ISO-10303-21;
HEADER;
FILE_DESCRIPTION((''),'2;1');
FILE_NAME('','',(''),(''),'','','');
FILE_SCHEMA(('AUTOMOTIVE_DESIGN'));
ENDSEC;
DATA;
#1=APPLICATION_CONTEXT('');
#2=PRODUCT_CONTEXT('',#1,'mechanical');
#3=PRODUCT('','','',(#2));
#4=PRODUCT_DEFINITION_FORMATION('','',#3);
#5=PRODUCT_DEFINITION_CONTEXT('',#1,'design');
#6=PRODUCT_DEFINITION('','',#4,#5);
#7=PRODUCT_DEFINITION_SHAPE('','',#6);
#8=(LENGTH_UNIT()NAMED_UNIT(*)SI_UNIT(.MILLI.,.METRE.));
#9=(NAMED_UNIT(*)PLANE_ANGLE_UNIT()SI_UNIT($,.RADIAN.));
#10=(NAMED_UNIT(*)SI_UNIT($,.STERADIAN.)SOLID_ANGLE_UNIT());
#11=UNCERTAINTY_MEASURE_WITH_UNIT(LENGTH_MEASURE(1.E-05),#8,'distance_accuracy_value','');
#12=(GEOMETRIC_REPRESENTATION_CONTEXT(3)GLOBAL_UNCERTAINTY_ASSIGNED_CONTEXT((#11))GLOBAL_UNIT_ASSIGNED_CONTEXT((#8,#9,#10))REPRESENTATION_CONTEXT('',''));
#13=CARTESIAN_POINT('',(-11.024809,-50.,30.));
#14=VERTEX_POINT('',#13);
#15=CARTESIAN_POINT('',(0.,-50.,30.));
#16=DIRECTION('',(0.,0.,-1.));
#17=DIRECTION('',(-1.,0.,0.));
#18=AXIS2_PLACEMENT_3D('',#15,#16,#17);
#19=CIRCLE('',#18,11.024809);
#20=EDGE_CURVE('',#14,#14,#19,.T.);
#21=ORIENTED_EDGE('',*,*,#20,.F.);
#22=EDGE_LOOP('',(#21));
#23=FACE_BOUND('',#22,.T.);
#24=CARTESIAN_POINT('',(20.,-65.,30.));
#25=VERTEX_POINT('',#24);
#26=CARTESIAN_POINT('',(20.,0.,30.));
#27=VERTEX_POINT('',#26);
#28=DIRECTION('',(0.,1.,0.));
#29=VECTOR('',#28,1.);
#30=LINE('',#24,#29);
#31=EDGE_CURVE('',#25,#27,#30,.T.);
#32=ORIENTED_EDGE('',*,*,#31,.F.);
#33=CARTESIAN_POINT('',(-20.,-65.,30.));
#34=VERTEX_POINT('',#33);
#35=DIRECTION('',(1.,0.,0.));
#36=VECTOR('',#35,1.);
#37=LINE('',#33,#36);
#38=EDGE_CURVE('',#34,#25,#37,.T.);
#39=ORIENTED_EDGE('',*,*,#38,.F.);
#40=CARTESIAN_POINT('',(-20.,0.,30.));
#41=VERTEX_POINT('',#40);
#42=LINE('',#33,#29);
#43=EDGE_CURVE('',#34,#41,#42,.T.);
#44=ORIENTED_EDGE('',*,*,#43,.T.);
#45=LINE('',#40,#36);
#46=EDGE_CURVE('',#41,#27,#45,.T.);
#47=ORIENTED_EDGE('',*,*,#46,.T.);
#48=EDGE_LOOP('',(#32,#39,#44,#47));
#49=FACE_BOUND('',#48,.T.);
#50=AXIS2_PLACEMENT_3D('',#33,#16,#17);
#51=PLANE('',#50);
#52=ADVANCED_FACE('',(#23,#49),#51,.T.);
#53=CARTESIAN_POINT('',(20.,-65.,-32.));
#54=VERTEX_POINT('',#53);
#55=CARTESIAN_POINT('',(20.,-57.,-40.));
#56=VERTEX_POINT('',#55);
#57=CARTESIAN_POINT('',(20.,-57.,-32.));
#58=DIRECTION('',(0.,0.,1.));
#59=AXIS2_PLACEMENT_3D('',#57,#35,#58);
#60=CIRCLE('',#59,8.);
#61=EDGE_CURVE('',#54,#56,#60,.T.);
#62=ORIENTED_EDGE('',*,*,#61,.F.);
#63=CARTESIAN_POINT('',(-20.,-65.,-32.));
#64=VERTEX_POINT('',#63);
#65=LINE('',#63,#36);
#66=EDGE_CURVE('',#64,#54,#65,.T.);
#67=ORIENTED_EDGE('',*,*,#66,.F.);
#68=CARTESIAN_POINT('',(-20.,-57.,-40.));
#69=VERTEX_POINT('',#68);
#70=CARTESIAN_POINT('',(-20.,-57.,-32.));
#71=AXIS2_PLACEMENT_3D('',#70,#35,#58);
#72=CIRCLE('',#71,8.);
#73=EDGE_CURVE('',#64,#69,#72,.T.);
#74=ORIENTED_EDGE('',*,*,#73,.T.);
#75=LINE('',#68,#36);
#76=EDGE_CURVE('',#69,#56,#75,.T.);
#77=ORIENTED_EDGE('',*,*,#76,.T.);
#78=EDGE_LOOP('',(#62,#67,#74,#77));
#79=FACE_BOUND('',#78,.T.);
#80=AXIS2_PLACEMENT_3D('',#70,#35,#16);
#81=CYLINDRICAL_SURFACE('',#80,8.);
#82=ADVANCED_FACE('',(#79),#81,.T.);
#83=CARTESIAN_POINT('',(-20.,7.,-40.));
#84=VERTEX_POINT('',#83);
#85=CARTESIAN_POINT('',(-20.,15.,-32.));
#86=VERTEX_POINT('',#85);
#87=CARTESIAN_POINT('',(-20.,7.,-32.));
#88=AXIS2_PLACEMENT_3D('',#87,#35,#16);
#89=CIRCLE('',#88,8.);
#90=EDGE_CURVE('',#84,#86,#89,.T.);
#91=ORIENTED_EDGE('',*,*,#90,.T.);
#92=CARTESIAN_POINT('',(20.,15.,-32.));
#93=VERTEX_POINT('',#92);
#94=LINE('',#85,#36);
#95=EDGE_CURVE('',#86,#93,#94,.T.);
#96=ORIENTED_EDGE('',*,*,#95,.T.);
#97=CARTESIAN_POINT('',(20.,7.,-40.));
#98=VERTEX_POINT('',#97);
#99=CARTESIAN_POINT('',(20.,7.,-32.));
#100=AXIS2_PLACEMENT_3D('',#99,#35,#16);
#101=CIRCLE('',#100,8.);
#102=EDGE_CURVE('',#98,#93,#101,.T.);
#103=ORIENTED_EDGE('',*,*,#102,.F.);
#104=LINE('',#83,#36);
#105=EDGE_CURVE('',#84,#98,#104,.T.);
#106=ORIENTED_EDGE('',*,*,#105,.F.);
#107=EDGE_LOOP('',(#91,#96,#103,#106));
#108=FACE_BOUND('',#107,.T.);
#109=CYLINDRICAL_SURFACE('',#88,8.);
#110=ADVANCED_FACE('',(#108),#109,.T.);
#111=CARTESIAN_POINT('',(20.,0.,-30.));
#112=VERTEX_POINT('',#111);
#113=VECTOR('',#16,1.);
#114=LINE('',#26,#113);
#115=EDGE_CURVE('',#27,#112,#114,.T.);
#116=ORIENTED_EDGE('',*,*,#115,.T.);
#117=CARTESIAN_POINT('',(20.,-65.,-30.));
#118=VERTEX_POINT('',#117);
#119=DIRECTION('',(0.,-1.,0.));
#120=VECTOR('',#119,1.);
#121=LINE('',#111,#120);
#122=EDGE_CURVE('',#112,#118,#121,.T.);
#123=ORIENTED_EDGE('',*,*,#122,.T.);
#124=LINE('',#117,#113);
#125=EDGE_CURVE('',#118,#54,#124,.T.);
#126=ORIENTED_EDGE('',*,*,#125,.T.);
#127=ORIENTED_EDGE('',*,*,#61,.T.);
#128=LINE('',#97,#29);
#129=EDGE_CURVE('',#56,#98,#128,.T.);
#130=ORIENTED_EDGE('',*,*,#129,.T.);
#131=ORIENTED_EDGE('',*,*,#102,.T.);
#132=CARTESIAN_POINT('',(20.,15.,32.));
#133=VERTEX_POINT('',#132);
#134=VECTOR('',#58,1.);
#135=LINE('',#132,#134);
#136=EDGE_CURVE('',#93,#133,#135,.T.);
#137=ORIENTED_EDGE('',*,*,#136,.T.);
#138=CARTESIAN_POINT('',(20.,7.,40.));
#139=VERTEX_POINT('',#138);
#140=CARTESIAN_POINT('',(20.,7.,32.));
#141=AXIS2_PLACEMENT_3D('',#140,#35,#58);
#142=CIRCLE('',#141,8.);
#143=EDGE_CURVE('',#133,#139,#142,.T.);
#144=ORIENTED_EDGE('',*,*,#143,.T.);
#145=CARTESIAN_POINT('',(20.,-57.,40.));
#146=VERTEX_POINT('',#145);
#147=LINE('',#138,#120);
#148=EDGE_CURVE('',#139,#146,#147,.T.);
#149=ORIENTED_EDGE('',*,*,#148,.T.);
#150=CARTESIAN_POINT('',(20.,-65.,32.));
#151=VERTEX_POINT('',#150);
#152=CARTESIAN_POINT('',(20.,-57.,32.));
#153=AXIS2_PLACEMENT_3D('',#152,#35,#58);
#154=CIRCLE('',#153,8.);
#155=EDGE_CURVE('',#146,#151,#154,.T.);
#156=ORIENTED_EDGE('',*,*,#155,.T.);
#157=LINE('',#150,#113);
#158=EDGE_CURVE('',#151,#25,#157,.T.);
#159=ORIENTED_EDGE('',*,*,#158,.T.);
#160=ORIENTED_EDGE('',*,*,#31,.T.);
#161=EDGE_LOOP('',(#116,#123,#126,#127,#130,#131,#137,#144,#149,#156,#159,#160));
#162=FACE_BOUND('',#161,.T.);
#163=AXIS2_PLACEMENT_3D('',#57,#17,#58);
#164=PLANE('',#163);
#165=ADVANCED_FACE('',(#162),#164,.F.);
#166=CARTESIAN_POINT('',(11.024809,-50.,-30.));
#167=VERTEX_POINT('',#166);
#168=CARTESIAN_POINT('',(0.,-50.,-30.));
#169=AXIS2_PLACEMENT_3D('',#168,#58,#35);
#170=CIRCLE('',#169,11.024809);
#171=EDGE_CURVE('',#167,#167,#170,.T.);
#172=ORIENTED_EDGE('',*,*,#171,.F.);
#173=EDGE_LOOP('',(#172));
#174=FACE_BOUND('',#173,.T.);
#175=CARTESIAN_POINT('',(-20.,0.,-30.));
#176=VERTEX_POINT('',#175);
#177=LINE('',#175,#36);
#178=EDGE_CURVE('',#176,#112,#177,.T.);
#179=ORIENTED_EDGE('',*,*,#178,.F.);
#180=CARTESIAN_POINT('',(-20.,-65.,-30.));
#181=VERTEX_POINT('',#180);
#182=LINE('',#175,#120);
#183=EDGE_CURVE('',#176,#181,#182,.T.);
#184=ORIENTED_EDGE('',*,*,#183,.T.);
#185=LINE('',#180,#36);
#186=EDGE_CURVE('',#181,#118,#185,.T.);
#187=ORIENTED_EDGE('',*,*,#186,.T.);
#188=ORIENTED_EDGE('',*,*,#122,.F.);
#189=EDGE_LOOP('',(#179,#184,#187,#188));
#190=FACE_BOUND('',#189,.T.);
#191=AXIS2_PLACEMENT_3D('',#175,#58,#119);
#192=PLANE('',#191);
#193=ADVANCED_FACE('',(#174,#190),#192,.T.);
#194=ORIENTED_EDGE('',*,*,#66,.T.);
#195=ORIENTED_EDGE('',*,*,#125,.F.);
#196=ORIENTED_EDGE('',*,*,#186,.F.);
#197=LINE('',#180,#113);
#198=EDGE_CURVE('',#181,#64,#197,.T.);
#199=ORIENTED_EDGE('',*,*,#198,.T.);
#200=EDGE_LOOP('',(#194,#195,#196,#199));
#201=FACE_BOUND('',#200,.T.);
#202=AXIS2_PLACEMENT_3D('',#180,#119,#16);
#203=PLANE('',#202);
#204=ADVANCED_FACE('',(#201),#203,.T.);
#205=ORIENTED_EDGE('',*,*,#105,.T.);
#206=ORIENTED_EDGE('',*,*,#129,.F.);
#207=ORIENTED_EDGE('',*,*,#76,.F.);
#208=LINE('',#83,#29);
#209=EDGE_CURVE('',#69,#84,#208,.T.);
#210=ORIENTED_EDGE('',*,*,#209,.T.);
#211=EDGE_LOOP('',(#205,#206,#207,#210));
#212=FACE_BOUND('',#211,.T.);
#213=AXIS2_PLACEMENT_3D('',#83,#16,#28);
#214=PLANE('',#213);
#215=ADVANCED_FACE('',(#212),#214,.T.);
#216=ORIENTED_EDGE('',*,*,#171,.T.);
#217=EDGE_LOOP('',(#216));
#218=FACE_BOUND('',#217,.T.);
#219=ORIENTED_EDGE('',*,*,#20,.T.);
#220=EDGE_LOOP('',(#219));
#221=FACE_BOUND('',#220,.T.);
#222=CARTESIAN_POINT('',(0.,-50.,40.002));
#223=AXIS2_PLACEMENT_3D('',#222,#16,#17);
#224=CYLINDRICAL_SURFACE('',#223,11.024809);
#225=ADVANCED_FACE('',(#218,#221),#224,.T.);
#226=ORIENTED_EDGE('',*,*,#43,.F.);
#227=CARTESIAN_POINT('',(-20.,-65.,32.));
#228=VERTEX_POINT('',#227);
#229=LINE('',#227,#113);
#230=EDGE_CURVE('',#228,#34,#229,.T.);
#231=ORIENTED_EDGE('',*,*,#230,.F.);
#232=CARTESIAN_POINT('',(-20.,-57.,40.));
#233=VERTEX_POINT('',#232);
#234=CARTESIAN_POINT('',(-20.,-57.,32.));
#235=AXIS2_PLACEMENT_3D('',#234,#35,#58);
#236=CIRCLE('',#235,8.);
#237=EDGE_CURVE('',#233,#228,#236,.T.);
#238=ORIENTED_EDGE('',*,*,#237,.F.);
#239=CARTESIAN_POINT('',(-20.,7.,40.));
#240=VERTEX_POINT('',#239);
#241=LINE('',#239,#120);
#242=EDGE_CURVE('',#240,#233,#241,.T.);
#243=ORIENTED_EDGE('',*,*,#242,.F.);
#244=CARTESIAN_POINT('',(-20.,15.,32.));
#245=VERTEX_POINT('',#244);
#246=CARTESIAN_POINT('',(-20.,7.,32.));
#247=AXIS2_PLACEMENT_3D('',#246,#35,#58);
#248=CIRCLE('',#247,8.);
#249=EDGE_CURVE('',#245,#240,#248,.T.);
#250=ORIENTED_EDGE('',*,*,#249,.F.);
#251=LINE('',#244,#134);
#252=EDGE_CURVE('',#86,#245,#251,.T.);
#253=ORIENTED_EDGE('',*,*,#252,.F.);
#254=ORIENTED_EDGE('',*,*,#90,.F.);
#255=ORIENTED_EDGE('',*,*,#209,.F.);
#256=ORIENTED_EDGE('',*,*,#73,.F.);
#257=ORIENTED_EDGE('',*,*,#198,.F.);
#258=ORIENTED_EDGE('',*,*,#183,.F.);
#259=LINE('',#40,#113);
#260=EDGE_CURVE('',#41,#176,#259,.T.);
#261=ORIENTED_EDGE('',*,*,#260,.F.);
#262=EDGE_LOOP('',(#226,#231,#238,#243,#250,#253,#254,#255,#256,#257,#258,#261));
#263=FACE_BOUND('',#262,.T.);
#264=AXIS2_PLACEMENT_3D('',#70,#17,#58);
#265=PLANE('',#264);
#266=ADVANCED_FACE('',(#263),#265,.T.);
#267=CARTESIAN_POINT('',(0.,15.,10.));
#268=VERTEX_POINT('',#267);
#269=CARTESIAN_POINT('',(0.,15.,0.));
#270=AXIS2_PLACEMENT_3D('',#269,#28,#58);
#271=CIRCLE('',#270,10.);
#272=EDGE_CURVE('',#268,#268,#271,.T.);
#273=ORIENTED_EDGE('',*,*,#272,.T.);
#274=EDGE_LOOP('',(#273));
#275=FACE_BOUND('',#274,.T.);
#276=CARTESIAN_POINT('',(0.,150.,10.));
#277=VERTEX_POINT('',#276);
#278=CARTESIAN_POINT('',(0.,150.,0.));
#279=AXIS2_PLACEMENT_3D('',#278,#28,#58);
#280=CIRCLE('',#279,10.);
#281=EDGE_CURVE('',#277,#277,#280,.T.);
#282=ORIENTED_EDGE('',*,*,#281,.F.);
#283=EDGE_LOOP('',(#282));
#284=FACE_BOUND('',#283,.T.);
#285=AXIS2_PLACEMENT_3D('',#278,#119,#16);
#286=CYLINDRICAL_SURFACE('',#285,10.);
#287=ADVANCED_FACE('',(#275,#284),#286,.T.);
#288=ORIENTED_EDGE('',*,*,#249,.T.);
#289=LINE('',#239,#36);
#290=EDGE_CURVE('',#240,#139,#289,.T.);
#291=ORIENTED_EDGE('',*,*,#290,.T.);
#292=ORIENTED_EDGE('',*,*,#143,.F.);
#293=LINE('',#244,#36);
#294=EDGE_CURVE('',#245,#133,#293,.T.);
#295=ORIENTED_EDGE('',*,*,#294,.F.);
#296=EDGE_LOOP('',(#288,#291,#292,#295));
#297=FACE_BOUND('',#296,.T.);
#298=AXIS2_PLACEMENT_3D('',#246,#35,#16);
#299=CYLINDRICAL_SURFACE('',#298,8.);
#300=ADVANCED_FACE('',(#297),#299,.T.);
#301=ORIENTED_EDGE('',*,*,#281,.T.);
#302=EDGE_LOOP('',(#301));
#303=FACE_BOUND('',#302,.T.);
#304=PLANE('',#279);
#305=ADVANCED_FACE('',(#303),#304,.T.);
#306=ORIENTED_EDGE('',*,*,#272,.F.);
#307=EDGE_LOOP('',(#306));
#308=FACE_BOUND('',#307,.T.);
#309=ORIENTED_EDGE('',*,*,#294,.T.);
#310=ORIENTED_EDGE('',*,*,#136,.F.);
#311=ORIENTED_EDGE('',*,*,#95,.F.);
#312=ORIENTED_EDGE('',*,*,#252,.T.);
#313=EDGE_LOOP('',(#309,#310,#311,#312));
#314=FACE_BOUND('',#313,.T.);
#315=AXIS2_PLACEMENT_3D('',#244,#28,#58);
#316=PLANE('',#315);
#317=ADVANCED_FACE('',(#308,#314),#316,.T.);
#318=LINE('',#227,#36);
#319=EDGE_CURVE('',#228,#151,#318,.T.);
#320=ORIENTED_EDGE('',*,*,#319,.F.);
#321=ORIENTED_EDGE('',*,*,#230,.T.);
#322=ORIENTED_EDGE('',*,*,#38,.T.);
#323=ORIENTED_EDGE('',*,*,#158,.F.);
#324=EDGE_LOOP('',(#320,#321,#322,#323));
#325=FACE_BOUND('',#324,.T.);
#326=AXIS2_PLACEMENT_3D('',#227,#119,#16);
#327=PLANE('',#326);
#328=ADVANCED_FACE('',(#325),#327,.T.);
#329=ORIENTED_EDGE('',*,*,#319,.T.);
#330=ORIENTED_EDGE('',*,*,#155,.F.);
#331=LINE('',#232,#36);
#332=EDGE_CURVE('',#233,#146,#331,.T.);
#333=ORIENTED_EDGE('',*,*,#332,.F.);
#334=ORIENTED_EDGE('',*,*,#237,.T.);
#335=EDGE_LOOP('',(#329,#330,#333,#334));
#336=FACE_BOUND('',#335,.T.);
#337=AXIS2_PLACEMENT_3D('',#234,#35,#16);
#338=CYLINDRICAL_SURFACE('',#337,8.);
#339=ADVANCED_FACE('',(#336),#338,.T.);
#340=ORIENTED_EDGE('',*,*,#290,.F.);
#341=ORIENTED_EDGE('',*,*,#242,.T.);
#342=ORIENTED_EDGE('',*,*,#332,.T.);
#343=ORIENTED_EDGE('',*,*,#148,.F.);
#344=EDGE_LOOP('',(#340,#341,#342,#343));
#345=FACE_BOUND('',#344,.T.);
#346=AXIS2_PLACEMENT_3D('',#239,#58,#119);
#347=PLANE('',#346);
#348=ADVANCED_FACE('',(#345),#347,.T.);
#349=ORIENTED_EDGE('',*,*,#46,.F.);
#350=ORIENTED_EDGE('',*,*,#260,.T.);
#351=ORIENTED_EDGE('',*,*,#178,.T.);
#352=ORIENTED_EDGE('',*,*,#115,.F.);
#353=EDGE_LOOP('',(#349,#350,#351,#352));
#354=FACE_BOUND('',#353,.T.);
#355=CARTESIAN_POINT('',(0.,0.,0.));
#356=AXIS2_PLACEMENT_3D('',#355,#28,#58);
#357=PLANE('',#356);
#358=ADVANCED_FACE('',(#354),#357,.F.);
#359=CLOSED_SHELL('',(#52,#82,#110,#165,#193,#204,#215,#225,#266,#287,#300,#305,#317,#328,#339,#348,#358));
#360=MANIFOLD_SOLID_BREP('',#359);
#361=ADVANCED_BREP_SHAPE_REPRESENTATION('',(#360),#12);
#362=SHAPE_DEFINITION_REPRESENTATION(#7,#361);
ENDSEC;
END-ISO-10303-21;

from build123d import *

# Parameters (mm, degrees)
SKETCH_1_R           = 10
EXTRUDE_1_DEPTH      = 150
EXTRUDE_2_DEPTH      = 20
EXTRUDE_2_DEPTH_BACK = 20
EXTRUDE_3_REACH      = 168.733
SKETCH_3_R           = 11.024808504


with BuildPart() as part:
    # 草图1 → 凸台-拉伸1 (new body)
    with BuildSketch(Plane(origin=(0, 0, 0), x_dir=(1, 0, 0), z_dir=(0, 1, 0))):
        Circle(SKETCH_1_R)
    extrude(amount=EXTRUDE_1_DEPTH)

    # 草图2 → 凸台-拉伸2 (add, two sides: drawn at the far end of the back side and taken through both)
    with BuildSketch(Plane(origin=(0, 0, 0), x_dir=(0, 0, -1), z_dir=(1, 0, 0)).offset(-EXTRUDE_2_DEPTH_BACK)):
        with BuildLine():
            Line((-30, -65), (-30, 0))
            Line((-30, 0), (30, 0))
            Line((30, 0), (30, -65))
            Line((30, -65), (32, -65))
            ThreePointArc((32, -65), (37.656854249, -62.656854249), (40, -57))
            Line((40, -57), (40, 7))
            ThreePointArc((40, 7), (37.656854249, 12.656854249), (32, 15))
            Line((32, 15), (-32, 15))
            ThreePointArc((-32, 15), (-37.656854249, 12.656854249), (-40, 7))
            Line((-40, 7), (-40, -57))
            ThreePointArc((-40, -57), (-37.656854249, -62.656854249), (-32, -65))
            Line((-32, -65), (-30, -65))
        make_face()
    extrude(amount=EXTRUDE_2_DEPTH + EXTRUDE_2_DEPTH_BACK)

    # 草图3 → 凸台-拉伸3 (add, up to next)
    with BuildSketch(Plane.XY.offset(-30), mode=Mode.PRIVATE) as extrude_3_sk1:
        with Locations((0, -50)):
            Circle(SKETCH_3_R)
    extrude_3_tool1 = extrude(extrude_3_sk1.sketch, amount=EXTRUDE_3_REACH, mode=Mode.PRIVATE) - part.part
    add(extrude_3_tool1.solids().sort_by_distance((0, -50, -30))[0])


solid = part.part
